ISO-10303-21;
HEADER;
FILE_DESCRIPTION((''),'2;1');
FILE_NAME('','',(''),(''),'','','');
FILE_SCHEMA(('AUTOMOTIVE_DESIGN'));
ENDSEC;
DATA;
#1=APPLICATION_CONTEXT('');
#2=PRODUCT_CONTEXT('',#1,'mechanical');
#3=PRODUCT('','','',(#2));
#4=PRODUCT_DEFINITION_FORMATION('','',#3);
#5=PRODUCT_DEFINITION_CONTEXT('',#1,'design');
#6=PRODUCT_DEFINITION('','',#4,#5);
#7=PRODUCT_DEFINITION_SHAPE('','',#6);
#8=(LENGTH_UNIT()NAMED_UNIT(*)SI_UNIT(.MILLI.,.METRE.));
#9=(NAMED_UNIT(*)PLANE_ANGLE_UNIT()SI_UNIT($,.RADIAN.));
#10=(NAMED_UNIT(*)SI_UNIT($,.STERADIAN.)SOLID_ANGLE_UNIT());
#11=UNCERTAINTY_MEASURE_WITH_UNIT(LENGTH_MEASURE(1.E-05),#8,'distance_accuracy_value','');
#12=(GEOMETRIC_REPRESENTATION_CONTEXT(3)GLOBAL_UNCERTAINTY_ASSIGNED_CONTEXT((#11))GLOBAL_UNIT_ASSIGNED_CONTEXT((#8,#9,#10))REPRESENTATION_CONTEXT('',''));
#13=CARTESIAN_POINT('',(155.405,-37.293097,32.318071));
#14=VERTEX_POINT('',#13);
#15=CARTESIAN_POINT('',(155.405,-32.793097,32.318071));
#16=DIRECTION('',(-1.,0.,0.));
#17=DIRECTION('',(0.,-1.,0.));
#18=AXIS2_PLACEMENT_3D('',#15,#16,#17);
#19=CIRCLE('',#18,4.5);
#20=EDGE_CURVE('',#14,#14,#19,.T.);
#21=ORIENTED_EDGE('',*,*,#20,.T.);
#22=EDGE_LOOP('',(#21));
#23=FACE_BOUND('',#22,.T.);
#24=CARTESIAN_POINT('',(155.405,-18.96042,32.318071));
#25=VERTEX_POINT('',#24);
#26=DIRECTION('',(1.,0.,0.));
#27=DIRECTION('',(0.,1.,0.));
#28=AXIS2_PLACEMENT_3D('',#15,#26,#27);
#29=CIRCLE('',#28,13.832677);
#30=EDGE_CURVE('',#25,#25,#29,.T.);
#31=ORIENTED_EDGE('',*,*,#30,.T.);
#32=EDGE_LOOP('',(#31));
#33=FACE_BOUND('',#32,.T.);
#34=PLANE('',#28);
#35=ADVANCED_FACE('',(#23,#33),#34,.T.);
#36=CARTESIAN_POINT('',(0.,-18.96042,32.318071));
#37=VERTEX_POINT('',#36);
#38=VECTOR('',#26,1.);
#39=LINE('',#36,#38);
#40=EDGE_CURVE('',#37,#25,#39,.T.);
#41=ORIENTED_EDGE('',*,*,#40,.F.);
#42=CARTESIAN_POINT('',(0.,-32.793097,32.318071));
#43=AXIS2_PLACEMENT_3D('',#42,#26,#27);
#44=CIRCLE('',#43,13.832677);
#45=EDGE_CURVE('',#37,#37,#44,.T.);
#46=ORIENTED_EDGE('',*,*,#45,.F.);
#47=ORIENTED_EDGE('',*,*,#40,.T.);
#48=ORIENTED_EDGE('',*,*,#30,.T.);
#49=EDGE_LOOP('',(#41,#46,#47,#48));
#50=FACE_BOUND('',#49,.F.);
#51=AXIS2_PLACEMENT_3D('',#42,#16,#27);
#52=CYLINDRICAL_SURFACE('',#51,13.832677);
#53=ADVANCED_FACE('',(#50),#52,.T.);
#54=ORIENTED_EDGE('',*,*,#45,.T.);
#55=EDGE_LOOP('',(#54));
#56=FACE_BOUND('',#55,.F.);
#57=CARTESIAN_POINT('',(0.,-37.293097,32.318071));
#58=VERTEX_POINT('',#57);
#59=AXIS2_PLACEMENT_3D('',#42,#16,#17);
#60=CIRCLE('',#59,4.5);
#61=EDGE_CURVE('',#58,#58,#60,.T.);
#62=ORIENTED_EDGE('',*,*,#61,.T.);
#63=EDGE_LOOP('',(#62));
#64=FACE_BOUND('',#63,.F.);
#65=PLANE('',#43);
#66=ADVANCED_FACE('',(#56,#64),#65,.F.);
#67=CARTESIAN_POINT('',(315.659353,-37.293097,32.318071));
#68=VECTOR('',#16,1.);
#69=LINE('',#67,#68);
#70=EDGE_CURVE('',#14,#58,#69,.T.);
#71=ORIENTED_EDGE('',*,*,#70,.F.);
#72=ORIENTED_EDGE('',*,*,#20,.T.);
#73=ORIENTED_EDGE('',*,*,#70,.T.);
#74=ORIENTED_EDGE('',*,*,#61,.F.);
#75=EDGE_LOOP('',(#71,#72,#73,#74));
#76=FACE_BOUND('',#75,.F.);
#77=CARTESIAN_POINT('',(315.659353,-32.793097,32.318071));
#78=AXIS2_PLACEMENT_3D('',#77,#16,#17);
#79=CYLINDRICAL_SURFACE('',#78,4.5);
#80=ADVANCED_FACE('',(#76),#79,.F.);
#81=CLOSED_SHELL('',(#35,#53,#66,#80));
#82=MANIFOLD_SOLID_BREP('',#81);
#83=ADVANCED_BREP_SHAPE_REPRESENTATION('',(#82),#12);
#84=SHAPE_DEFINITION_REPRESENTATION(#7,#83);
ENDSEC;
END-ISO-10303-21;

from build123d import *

# Parameters (mm, degrees)
F0_R     = 13.832677
F1_DEPTH = 155.405
F3_D     = 9


with BuildPart() as f1:
    # F0 (on Right) → F1 (new body)
    with BuildSketch(Plane.YZ):
        with Locations((-32.793097, 32.318071)):
            Circle(F0_R)
    extrude(amount=F1_DEPTH)

    # F3 (through all)
    with Locations(Plane.YZ.offset(155.405)):
        with Locations((-32.793097, 32.318071)):
            Hole(F3_D / 2)


solid = f1.part
